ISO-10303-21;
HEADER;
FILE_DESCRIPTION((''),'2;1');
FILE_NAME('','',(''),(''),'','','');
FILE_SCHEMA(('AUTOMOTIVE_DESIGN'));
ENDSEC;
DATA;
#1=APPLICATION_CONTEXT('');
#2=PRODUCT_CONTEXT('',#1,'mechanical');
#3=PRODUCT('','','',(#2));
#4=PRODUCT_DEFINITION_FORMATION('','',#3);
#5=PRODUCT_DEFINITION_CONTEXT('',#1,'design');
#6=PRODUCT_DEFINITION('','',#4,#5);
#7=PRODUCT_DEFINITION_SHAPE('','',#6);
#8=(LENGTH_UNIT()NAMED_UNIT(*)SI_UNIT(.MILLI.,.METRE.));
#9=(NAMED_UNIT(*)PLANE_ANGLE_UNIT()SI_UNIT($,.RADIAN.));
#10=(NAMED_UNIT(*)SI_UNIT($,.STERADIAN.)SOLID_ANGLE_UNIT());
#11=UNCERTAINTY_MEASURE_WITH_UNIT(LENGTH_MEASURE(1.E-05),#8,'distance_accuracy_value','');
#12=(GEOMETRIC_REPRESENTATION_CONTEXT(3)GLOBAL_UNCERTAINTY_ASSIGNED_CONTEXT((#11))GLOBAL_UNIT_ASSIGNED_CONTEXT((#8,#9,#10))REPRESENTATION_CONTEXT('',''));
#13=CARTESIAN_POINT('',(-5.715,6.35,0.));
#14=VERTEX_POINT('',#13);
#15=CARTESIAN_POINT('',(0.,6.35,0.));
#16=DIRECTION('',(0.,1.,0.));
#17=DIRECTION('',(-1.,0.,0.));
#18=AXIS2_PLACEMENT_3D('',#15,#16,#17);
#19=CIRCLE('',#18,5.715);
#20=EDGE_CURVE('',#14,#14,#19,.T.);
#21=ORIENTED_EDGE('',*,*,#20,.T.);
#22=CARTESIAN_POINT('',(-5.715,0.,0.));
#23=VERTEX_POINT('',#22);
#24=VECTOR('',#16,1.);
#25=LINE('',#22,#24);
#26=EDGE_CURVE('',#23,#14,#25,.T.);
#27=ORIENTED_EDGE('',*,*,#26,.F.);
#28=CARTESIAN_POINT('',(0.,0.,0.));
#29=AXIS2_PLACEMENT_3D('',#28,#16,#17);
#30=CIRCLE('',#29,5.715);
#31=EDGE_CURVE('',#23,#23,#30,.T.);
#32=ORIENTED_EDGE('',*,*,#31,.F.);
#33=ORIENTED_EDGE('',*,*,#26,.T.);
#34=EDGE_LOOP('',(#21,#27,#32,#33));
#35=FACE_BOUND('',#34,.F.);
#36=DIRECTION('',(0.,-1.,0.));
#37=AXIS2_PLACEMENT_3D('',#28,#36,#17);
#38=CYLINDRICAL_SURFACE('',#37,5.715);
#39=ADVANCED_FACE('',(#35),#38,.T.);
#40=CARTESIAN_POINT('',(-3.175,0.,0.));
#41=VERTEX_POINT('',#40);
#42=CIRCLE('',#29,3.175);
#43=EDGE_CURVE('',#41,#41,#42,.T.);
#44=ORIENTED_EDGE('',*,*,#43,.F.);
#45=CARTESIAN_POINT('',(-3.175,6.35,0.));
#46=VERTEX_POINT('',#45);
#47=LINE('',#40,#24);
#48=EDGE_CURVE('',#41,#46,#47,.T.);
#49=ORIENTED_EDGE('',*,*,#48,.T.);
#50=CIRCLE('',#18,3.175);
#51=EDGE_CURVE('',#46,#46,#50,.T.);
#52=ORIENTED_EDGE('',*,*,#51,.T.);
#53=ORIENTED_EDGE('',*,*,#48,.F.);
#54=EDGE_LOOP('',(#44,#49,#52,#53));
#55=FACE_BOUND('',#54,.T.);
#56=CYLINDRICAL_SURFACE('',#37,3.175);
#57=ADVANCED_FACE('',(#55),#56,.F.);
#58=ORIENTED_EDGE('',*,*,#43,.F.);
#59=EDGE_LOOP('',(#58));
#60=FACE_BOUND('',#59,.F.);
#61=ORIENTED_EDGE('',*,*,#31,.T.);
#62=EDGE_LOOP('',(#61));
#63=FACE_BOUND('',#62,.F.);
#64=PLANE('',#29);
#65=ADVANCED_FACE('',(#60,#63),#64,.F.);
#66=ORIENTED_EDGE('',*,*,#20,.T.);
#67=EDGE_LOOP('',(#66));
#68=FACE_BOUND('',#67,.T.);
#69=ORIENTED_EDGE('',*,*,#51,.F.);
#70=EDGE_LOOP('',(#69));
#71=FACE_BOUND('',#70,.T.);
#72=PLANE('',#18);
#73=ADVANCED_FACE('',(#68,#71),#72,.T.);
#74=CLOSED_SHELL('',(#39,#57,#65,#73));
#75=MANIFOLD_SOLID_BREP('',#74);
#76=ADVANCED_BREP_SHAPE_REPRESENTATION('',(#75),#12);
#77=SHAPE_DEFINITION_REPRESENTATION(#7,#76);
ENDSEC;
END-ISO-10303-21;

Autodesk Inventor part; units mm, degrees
ref_plane "YZ Plane" through (0, 0, 0) normal (1, 0, 0) x (0, 1, 0)
ref_plane "XZ Plane" through (0, 0, 0) normal (0, 1, 0) x (-1, 0, 0)
ref_plane "XY Plane" through (0, 0, 0) normal (0, 0, 1) x (1, 0, 0)
sketch "Sketch1" plane through (0, 0, 0) normal (0, 1, 0) x (-1, 0, 0)
  circle A0 centre (0, 0) radius 3.175
  circle A1 centre (0, 0) radius 5.715
  dimension "d0" = 6.35
  dimension "d1" = 11.43
extrude "Extrusion1" add sketch "Sketch1" along normal blind 6.35
properties part number "Washer (Train)"
